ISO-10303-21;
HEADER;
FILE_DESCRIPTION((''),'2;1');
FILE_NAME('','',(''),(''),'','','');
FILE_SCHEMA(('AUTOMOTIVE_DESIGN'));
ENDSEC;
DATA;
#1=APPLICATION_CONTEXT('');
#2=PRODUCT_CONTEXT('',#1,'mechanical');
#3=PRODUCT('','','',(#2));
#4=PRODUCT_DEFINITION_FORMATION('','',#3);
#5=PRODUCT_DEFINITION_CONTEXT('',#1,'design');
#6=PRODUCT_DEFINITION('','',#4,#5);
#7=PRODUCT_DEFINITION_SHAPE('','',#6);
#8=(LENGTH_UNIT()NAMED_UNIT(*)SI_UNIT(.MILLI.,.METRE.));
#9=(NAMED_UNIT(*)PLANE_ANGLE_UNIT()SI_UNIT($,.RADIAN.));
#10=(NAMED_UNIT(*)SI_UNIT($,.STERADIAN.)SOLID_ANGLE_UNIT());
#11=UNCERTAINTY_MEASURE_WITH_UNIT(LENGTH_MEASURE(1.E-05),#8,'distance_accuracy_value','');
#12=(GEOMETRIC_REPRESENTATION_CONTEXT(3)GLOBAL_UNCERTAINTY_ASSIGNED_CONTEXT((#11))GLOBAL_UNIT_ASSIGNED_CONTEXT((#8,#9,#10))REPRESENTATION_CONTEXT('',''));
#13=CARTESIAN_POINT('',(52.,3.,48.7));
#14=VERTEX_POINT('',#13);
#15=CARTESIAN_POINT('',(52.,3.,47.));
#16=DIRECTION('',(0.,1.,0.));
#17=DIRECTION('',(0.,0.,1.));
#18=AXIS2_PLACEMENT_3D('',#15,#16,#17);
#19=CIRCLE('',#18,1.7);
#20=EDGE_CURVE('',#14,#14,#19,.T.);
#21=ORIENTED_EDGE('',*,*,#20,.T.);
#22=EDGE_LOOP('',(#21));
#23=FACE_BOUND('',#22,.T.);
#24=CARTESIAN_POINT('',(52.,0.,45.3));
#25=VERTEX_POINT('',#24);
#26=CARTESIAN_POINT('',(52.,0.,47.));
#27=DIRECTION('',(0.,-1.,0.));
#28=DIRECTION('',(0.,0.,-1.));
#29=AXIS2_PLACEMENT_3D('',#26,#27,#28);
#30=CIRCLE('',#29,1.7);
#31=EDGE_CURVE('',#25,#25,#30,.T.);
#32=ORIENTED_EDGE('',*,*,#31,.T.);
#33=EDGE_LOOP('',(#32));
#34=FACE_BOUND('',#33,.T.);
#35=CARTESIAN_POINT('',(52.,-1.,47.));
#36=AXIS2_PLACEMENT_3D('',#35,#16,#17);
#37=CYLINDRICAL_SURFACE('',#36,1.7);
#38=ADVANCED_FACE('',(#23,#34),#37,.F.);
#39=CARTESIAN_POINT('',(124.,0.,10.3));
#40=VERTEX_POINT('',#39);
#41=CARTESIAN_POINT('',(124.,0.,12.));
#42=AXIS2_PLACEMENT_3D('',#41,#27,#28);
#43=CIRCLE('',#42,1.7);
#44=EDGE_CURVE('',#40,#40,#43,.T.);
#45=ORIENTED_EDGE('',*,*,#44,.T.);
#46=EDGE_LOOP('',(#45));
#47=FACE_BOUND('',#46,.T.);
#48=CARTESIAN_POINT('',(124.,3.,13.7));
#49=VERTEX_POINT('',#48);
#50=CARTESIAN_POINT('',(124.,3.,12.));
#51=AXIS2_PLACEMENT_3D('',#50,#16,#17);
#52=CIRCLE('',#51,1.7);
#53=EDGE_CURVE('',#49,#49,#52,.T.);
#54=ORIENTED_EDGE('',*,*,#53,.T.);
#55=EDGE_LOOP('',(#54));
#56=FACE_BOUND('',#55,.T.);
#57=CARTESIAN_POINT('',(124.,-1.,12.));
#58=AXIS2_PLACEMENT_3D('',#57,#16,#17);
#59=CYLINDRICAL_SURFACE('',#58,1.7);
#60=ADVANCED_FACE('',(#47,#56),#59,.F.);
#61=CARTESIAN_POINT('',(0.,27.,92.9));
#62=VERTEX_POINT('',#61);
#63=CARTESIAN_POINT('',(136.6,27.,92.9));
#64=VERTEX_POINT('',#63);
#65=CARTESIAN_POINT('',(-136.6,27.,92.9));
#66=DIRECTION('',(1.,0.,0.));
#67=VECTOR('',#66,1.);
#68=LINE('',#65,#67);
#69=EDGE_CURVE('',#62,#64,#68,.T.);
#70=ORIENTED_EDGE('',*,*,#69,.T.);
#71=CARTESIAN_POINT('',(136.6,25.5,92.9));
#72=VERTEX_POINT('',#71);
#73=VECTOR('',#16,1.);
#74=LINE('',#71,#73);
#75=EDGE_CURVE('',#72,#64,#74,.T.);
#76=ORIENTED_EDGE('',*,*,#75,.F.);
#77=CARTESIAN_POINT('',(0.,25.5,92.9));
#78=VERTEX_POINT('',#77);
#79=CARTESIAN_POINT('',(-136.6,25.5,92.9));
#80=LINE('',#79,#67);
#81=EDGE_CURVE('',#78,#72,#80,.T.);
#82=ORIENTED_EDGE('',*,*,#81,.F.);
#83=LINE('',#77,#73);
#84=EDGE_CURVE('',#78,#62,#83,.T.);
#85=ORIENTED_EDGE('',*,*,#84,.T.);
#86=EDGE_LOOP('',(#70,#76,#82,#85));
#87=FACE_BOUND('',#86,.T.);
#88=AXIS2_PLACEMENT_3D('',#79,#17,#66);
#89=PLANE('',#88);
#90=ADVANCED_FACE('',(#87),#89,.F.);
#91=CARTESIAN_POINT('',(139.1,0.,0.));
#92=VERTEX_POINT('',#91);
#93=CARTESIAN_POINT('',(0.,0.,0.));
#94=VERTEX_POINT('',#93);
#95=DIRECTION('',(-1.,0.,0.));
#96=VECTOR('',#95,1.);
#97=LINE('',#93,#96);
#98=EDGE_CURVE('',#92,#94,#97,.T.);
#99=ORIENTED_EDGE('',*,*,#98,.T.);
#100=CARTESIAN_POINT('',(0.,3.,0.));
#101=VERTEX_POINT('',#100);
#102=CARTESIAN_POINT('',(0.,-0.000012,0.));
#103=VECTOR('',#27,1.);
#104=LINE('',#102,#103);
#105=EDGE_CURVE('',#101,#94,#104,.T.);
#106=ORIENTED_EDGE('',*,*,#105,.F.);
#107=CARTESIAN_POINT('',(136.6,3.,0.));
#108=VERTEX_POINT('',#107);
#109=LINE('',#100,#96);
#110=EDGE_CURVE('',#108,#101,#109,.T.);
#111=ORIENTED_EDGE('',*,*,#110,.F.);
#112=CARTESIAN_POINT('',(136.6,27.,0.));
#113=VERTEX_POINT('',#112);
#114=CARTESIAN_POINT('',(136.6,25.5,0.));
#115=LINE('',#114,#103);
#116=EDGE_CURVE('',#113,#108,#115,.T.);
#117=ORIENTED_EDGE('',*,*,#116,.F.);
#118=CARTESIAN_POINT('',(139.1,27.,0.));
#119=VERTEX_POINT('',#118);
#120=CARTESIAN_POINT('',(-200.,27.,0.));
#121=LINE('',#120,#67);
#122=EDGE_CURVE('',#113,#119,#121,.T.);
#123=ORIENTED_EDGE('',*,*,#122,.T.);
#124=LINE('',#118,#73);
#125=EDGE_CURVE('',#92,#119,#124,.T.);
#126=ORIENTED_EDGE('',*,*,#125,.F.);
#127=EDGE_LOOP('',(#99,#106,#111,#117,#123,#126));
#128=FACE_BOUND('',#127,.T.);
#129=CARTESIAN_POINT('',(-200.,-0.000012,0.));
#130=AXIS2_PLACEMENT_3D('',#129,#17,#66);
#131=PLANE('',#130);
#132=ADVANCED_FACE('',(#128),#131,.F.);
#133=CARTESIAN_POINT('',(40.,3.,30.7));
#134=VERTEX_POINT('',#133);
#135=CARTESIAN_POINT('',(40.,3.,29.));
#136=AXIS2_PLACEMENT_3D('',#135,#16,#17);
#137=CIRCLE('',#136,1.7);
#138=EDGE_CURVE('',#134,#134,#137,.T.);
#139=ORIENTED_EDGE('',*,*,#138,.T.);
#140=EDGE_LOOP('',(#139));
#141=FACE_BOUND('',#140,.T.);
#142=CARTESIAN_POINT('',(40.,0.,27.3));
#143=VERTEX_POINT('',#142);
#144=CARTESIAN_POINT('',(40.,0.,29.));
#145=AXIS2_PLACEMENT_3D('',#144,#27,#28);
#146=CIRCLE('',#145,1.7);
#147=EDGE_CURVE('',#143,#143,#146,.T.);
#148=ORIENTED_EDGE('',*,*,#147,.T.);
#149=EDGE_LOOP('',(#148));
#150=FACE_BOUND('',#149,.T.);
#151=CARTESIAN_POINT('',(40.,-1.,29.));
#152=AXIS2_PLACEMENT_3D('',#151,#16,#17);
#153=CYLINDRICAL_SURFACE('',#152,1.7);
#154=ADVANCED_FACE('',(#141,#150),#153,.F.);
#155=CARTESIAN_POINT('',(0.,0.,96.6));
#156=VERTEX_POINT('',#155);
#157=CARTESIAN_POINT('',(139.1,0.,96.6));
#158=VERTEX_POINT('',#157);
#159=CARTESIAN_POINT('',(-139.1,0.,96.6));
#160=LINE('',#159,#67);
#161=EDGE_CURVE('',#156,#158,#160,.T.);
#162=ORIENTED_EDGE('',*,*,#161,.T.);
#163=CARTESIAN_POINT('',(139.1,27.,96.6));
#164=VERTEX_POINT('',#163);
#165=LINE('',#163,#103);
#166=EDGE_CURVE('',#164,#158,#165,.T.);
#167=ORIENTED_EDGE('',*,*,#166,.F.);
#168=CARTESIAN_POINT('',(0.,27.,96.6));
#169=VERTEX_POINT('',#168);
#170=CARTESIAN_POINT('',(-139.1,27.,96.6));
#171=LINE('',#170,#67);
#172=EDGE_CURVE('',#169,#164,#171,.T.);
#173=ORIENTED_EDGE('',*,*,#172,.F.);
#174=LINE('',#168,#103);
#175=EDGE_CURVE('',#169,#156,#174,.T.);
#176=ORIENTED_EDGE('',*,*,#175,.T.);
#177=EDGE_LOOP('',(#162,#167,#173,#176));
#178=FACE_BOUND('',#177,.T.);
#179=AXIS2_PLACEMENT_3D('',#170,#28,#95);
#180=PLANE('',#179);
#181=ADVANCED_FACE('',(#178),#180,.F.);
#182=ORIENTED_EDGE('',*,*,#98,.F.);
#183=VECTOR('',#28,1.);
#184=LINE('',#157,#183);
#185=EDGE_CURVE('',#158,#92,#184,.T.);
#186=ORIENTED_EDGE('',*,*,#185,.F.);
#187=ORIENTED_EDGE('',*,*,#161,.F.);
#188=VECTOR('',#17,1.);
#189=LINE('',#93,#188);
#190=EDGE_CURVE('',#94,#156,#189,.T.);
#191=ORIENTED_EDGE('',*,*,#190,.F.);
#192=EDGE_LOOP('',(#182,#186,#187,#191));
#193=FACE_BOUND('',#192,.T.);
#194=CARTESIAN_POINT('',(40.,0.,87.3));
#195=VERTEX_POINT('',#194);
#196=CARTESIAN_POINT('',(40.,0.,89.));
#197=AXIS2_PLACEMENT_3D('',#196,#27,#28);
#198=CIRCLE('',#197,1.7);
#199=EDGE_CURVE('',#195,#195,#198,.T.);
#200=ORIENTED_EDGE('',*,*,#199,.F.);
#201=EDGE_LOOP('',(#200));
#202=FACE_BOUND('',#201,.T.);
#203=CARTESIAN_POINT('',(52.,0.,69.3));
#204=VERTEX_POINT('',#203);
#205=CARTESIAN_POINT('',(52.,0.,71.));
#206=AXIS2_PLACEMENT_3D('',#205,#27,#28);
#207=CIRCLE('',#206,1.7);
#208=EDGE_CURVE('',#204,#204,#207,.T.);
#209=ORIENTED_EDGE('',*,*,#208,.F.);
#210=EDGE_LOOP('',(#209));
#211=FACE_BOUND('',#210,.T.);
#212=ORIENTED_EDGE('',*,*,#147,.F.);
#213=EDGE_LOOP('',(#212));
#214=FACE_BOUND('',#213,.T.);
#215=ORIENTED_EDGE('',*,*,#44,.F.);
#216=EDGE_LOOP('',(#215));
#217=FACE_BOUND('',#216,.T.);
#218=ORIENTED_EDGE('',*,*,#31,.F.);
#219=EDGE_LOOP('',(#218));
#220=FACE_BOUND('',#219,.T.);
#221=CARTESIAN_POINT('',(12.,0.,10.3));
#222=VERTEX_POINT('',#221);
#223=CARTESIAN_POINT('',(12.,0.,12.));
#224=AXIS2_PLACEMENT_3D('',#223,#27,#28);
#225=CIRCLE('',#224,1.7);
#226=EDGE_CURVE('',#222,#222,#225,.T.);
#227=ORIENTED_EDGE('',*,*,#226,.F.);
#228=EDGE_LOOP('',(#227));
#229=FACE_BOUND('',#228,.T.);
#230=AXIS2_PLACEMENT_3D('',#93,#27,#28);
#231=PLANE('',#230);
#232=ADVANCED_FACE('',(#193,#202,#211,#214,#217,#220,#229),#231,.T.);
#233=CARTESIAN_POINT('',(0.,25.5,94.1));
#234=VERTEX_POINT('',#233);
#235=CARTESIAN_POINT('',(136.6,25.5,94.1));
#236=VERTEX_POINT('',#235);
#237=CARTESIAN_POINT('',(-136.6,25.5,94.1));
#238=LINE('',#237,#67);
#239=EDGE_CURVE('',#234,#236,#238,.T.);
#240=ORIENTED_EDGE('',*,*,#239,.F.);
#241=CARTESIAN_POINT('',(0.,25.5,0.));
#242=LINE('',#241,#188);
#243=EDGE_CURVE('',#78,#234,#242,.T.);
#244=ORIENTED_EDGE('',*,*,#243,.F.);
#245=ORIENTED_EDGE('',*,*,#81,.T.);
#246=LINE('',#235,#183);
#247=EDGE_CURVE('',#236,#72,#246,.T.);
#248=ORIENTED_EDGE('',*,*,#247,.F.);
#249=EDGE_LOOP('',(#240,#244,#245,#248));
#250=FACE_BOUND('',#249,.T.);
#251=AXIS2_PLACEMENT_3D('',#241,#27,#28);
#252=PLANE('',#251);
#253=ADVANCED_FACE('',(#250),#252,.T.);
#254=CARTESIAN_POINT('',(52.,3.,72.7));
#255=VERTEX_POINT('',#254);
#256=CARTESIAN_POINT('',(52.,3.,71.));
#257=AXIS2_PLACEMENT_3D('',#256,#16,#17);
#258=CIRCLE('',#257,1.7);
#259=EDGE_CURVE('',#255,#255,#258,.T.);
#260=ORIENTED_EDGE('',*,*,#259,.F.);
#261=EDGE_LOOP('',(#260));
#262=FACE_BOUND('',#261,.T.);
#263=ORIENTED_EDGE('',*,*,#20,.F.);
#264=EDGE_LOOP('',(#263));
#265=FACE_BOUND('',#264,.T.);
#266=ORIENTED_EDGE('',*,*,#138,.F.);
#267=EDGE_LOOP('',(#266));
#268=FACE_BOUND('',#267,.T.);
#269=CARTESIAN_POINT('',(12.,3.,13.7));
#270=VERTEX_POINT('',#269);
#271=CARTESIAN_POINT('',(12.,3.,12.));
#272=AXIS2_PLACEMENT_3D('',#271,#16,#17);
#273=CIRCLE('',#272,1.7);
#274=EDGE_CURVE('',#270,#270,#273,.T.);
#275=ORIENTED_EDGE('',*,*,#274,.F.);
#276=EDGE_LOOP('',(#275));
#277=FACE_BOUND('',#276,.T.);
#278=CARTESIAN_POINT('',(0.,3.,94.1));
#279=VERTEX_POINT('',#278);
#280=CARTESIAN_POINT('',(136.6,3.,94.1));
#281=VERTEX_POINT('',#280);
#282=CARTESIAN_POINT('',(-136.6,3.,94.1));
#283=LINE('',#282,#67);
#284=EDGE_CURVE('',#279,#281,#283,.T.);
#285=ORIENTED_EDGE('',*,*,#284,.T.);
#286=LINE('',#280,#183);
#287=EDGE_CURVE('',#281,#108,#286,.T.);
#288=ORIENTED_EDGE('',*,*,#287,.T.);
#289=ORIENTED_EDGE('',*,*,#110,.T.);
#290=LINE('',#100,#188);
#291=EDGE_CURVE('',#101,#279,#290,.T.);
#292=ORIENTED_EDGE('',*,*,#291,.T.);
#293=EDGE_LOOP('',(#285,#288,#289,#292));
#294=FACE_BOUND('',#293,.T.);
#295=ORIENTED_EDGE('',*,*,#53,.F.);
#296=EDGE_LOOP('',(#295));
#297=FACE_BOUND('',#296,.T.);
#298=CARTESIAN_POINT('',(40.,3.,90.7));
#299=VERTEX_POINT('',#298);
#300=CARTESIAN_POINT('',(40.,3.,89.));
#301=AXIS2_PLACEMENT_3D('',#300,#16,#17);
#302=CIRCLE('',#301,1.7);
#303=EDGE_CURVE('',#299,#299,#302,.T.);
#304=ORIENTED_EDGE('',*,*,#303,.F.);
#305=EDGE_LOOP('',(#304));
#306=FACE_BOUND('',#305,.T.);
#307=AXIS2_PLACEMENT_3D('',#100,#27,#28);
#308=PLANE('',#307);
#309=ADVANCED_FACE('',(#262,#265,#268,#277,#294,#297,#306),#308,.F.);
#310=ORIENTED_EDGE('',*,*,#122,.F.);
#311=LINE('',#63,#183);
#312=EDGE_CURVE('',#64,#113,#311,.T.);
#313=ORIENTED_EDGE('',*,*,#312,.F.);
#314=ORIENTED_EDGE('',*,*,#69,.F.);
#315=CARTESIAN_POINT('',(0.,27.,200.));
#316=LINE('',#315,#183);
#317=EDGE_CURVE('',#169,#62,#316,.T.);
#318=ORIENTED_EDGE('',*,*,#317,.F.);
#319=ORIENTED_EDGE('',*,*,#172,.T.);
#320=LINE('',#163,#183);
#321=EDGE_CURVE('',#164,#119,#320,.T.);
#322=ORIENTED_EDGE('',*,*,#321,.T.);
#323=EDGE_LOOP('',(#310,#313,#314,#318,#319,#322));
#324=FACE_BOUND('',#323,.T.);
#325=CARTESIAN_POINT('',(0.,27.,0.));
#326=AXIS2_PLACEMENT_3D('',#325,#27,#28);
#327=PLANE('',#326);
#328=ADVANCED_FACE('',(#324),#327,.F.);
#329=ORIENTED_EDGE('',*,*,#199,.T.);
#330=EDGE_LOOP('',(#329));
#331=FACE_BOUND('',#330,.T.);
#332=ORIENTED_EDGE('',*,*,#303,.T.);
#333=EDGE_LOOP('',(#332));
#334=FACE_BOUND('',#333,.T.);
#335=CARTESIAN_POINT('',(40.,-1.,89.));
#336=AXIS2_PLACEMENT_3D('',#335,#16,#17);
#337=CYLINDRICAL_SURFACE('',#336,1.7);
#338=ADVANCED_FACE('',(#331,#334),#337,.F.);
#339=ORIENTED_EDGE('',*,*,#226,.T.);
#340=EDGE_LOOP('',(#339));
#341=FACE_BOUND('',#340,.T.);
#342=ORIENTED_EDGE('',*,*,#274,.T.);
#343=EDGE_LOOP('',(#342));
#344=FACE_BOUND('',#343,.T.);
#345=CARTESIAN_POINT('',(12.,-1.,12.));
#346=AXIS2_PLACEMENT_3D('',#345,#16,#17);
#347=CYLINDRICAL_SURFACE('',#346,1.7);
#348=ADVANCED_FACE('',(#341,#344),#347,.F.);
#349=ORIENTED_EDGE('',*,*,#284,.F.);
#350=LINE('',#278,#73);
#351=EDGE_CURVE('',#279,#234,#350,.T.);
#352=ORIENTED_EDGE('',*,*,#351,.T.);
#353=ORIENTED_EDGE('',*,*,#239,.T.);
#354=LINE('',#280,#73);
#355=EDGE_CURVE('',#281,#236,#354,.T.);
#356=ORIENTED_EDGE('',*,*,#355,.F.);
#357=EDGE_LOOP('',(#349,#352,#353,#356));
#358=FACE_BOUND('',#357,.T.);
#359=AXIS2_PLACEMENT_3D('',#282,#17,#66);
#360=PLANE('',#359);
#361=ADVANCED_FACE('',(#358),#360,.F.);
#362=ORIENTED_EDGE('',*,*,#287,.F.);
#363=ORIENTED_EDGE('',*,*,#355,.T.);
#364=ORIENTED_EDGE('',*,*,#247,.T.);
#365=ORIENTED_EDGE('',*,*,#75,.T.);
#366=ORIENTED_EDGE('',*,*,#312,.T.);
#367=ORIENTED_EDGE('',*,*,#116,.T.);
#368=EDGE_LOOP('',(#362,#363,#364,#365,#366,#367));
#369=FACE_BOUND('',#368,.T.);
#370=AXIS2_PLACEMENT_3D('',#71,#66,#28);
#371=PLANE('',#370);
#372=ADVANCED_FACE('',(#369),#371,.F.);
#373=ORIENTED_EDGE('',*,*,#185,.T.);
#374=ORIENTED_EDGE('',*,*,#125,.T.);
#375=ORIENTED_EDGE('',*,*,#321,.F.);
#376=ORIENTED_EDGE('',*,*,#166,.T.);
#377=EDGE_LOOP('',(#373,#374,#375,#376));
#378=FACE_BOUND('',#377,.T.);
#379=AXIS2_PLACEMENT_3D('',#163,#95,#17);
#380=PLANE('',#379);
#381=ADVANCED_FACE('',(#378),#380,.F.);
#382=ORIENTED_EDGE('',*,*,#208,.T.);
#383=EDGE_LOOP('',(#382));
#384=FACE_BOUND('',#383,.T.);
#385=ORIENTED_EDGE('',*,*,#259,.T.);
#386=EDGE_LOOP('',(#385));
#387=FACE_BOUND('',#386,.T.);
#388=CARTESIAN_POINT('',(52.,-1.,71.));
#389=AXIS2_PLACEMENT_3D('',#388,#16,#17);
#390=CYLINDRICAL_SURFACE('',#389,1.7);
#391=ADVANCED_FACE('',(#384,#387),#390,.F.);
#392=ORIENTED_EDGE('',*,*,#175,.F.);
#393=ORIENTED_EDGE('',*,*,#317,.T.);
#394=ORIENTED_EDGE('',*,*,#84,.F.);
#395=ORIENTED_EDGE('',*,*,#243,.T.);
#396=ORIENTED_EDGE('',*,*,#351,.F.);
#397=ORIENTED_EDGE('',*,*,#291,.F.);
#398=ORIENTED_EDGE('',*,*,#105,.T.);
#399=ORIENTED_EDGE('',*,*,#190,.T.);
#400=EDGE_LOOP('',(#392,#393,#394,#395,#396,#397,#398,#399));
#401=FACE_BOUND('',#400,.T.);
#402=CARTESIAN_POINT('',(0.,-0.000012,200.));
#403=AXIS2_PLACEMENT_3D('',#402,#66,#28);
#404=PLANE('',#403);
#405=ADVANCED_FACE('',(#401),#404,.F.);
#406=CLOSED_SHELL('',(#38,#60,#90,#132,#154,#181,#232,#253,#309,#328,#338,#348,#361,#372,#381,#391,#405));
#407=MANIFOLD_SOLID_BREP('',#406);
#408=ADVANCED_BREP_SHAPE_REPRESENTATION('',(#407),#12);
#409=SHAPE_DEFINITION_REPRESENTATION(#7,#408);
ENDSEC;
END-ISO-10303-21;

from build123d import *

# Parameters (mm, degrees)
SKETCH1_W                     = 278.2
SKETCH1_H                     = 193.2
SHELL_BLOCK_DEPTH             = 27
SKETCH2_W                     = 273.2
SKETCH2_H                     = 185.8
FRONT_OPENING_DEPTH           = 1.5
SKETCH3_W                     = 273.2
SKETCH3_H                     = 188.2
DISPLAY_POCKET_DEPTH          = 22.5
SKETCH4_W                     = 3
SKETCH4_H                     = 56
VENT_SLOTS_DEPTH              = 4
SKETCH5_W                     = 58
SKETCH5_H                     = 23
CABLE_EXIT_X_SHORT_SIDE_DEPTH = 140.1
SKETCH6_R                     = 1.7
BOLT_HOLES_DEPTH              = 4
KEEP_ONE_HALF_X_DEPTH         = 172.491603293
KEEP_ONE_HALF_X_DEPTH_BACK    = 172.491603293
SKETCH7_W                     = 200
SKETCH7_H                     = 400
KEEP_ONE_QUARTER_Z_DEPTH      = 172.491603293
KEEP_ONE_QUARTER_Z_DEPTH_BACK = 172.491603293
SKETCH8_W                     = 400
SKETCH8_H                     = 200


with BuildPart() as part:
    # Sketch1 → Shell Block (new body)
    with BuildSketch(Plane(origin=(0, 0, 0), x_dir=(1, 0, 0), z_dir=(0, 1, 0))):
        Rectangle(SKETCH1_W, SKETCH1_H)
    extrude(amount=SHELL_BLOCK_DEPTH)

    # Sketch2 → Front Opening (cut)
    with BuildSketch(Plane(origin=(0, 27, 0), x_dir=(1, 0, 0), z_dir=(0, 1, 0))):
        Rectangle(SKETCH2_W, SKETCH2_H)
    extrude(amount=-FRONT_OPENING_DEPTH, mode=Mode.SUBTRACT)

    # Sketch3 → Display Pocket (cut)
    with BuildSketch(Plane(origin=(0, 25.5, 0), x_dir=(1, 0, 0), z_dir=(0, 1, 0))):
        Rectangle(SKETCH3_W, SKETCH3_H)
    extrude(amount=-DISPLAY_POCKET_DEPTH, mode=Mode.SUBTRACT)

    # Sketch4 → Vent Slots (cut)
    with BuildSketch(Plane(origin=(0, 3, 0), x_dir=(1, 0, 0), z_dir=(0, 1, 0))):
        with Locations((-67.5, 56)):
            Rectangle(SKETCH4_W, SKETCH4_H)
        with Locations((-67.5, -56)):
            Rectangle(SKETCH4_W, SKETCH4_H)
        with Locations((-75.5, 56)):
            Rectangle(SKETCH4_W, SKETCH4_H)
        with Locations((-75.5, -56)):
            Rectangle(SKETCH4_W, SKETCH4_H)
        with Locations((-83.5, 56)):
            Rectangle(SKETCH4_W, SKETCH4_H)
        with Locations((-83.5, -56)):
            Rectangle(SKETCH4_W, SKETCH4_H)
        with Locations((-91.5, 56)):
            Rectangle(SKETCH4_W, SKETCH4_H)
        with Locations((-91.5, -56)):
            Rectangle(SKETCH4_W, SKETCH4_H)
        with Locations((-99.5, 56)):
            Rectangle(SKETCH4_W, SKETCH4_H)
        with Locations((-99.5, -56)):
            Rectangle(SKETCH4_W, SKETCH4_H)
        with Locations((-107.5, 56)):
            Rectangle(SKETCH4_W, SKETCH4_H)
        with Locations((-107.5, -56)):
            Rectangle(SKETCH4_W, SKETCH4_H)
        with Locations((-115.5, 56)):
            Rectangle(SKETCH4_W, SKETCH4_H)
        with Locations((-115.5, -56)):
            Rectangle(SKETCH4_W, SKETCH4_H)
        with Locations((-123.5, 56)):
            Rectangle(SKETCH4_W, SKETCH4_H)
        with Locations((-123.5, -56)):
            Rectangle(SKETCH4_W, SKETCH4_H)
    extrude(amount=-VENT_SLOTS_DEPTH, mode=Mode.SUBTRACT)

    # Sketch5 → Cable Exit (-X short side) (cut)
    with BuildSketch(Plane(origin=(0, 0, 0), x_dir=(0, 0, -1), z_dir=(1, 0, 0))):
        with Locations((0, 16.5)):
            Rectangle(SKETCH5_W, SKETCH5_H)
    extrude(amount=-CABLE_EXIT_X_SHORT_SIDE_DEPTH, mode=Mode.SUBTRACT)

    # Sketch6 → Bolt Holes (cut)
    with BuildSketch(Plane(origin=(0, 3, 0), x_dir=(1, 0, 0), z_dir=(0, 1, 0))):
        with Locations(Location((-40, -29, 0), (0, 0, 270))):
            Circle(SKETCH6_R)
        with Locations(Location((-40, -89, 0), (0, 0, 270))):
            Circle(SKETCH6_R)
        with Locations(Location((40, -29, 0), (0, 0, 270))):
            Circle(SKETCH6_R)
        with Locations(Location((40, -89, 0), (0, 0, 270))):
            Circle(SKETCH6_R)
        with Locations(Location((-52, -47, 0), (0, 0, 270))):
            Circle(SKETCH6_R)
        with Locations(Location((-52, -71, 0), (0, 0, 270))):
            Circle(SKETCH6_R)
        with Locations(Location((52, -47, 0), (0, 0, 270))):
            Circle(SKETCH6_R)
        with Locations(Location((52, -71, 0), (0, 0, 270))):
            Circle(SKETCH6_R)
        with Locations(Location((-12, 82, 0), (0, 0, 270))):
            Circle(SKETCH6_R)
        with Locations(Location((12, 82, 0), (0, 0, 270))):
            Circle(SKETCH6_R)
        with Locations(Location((124, 12, 0), (0, 0, 270))):
            Circle(SKETCH6_R)
        with Locations(Location((124, -12, 0), (0, 0, 270))):
            Circle(SKETCH6_R)
        with Locations(Location((-12, 12, 0), (0, 0, 270))):
            Circle(SKETCH6_R)
        with Locations(Location((-12, -12, 0), (0, 0, 270))):
            Circle(SKETCH6_R)
        with Locations(Location((12, 12, 0), (0, 0, 270))):
            Circle(SKETCH6_R)
        with Locations(Location((12, -12, 0), (0, 0, 270))):
            Circle(SKETCH6_R)
        with Locations(Location((-110, -12, 0), (0, 0, 270))):
            Circle(SKETCH6_R)
        with Locations(Location((-110, 12, 0), (0, 0, 270))):
            Circle(SKETCH6_R)
        with Locations(Location((-86, -12, 0), (0, 0, 270))):
            Circle(SKETCH6_R)
        with Locations(Location((-86, 12, 0), (0, 0, 270))):
            Circle(SKETCH6_R)
    extrude(amount=-BOLT_HOLES_DEPTH, mode=Mode.SUBTRACT)

    # Sketch7 → Keep one half (X) (cut, two sides: drawn at the far end of the back side and taken through both)
    with BuildSketch(Plane(origin=(0, 0, 0), x_dir=(1, 0, 0), z_dir=(0, 1, 0)).offset(-KEEP_ONE_HALF_X_DEPTH_BACK)):
        with Locations((-100, 0)):
            Rectangle(SKETCH7_W, SKETCH7_H)
    extrude(amount=KEEP_ONE_HALF_X_DEPTH + KEEP_ONE_HALF_X_DEPTH_BACK, mode=Mode.SUBTRACT)

    # Sketch8 → Keep one quarter (Z) (cut, two sides: drawn at the far end of the back side and taken through both)
    with BuildSketch(Plane(origin=(0, 0, 0), x_dir=(1, 0, 0), z_dir=(0, 1, 0)).offset(-KEEP_ONE_QUARTER_Z_DEPTH_BACK)):
        with Locations((0, 100)):
            Rectangle(SKETCH8_W, SKETCH8_H)
    extrude(amount=KEEP_ONE_QUARTER_Z_DEPTH + KEEP_ONE_QUARTER_Z_DEPTH_BACK, mode=Mode.SUBTRACT)


solid = part.part
